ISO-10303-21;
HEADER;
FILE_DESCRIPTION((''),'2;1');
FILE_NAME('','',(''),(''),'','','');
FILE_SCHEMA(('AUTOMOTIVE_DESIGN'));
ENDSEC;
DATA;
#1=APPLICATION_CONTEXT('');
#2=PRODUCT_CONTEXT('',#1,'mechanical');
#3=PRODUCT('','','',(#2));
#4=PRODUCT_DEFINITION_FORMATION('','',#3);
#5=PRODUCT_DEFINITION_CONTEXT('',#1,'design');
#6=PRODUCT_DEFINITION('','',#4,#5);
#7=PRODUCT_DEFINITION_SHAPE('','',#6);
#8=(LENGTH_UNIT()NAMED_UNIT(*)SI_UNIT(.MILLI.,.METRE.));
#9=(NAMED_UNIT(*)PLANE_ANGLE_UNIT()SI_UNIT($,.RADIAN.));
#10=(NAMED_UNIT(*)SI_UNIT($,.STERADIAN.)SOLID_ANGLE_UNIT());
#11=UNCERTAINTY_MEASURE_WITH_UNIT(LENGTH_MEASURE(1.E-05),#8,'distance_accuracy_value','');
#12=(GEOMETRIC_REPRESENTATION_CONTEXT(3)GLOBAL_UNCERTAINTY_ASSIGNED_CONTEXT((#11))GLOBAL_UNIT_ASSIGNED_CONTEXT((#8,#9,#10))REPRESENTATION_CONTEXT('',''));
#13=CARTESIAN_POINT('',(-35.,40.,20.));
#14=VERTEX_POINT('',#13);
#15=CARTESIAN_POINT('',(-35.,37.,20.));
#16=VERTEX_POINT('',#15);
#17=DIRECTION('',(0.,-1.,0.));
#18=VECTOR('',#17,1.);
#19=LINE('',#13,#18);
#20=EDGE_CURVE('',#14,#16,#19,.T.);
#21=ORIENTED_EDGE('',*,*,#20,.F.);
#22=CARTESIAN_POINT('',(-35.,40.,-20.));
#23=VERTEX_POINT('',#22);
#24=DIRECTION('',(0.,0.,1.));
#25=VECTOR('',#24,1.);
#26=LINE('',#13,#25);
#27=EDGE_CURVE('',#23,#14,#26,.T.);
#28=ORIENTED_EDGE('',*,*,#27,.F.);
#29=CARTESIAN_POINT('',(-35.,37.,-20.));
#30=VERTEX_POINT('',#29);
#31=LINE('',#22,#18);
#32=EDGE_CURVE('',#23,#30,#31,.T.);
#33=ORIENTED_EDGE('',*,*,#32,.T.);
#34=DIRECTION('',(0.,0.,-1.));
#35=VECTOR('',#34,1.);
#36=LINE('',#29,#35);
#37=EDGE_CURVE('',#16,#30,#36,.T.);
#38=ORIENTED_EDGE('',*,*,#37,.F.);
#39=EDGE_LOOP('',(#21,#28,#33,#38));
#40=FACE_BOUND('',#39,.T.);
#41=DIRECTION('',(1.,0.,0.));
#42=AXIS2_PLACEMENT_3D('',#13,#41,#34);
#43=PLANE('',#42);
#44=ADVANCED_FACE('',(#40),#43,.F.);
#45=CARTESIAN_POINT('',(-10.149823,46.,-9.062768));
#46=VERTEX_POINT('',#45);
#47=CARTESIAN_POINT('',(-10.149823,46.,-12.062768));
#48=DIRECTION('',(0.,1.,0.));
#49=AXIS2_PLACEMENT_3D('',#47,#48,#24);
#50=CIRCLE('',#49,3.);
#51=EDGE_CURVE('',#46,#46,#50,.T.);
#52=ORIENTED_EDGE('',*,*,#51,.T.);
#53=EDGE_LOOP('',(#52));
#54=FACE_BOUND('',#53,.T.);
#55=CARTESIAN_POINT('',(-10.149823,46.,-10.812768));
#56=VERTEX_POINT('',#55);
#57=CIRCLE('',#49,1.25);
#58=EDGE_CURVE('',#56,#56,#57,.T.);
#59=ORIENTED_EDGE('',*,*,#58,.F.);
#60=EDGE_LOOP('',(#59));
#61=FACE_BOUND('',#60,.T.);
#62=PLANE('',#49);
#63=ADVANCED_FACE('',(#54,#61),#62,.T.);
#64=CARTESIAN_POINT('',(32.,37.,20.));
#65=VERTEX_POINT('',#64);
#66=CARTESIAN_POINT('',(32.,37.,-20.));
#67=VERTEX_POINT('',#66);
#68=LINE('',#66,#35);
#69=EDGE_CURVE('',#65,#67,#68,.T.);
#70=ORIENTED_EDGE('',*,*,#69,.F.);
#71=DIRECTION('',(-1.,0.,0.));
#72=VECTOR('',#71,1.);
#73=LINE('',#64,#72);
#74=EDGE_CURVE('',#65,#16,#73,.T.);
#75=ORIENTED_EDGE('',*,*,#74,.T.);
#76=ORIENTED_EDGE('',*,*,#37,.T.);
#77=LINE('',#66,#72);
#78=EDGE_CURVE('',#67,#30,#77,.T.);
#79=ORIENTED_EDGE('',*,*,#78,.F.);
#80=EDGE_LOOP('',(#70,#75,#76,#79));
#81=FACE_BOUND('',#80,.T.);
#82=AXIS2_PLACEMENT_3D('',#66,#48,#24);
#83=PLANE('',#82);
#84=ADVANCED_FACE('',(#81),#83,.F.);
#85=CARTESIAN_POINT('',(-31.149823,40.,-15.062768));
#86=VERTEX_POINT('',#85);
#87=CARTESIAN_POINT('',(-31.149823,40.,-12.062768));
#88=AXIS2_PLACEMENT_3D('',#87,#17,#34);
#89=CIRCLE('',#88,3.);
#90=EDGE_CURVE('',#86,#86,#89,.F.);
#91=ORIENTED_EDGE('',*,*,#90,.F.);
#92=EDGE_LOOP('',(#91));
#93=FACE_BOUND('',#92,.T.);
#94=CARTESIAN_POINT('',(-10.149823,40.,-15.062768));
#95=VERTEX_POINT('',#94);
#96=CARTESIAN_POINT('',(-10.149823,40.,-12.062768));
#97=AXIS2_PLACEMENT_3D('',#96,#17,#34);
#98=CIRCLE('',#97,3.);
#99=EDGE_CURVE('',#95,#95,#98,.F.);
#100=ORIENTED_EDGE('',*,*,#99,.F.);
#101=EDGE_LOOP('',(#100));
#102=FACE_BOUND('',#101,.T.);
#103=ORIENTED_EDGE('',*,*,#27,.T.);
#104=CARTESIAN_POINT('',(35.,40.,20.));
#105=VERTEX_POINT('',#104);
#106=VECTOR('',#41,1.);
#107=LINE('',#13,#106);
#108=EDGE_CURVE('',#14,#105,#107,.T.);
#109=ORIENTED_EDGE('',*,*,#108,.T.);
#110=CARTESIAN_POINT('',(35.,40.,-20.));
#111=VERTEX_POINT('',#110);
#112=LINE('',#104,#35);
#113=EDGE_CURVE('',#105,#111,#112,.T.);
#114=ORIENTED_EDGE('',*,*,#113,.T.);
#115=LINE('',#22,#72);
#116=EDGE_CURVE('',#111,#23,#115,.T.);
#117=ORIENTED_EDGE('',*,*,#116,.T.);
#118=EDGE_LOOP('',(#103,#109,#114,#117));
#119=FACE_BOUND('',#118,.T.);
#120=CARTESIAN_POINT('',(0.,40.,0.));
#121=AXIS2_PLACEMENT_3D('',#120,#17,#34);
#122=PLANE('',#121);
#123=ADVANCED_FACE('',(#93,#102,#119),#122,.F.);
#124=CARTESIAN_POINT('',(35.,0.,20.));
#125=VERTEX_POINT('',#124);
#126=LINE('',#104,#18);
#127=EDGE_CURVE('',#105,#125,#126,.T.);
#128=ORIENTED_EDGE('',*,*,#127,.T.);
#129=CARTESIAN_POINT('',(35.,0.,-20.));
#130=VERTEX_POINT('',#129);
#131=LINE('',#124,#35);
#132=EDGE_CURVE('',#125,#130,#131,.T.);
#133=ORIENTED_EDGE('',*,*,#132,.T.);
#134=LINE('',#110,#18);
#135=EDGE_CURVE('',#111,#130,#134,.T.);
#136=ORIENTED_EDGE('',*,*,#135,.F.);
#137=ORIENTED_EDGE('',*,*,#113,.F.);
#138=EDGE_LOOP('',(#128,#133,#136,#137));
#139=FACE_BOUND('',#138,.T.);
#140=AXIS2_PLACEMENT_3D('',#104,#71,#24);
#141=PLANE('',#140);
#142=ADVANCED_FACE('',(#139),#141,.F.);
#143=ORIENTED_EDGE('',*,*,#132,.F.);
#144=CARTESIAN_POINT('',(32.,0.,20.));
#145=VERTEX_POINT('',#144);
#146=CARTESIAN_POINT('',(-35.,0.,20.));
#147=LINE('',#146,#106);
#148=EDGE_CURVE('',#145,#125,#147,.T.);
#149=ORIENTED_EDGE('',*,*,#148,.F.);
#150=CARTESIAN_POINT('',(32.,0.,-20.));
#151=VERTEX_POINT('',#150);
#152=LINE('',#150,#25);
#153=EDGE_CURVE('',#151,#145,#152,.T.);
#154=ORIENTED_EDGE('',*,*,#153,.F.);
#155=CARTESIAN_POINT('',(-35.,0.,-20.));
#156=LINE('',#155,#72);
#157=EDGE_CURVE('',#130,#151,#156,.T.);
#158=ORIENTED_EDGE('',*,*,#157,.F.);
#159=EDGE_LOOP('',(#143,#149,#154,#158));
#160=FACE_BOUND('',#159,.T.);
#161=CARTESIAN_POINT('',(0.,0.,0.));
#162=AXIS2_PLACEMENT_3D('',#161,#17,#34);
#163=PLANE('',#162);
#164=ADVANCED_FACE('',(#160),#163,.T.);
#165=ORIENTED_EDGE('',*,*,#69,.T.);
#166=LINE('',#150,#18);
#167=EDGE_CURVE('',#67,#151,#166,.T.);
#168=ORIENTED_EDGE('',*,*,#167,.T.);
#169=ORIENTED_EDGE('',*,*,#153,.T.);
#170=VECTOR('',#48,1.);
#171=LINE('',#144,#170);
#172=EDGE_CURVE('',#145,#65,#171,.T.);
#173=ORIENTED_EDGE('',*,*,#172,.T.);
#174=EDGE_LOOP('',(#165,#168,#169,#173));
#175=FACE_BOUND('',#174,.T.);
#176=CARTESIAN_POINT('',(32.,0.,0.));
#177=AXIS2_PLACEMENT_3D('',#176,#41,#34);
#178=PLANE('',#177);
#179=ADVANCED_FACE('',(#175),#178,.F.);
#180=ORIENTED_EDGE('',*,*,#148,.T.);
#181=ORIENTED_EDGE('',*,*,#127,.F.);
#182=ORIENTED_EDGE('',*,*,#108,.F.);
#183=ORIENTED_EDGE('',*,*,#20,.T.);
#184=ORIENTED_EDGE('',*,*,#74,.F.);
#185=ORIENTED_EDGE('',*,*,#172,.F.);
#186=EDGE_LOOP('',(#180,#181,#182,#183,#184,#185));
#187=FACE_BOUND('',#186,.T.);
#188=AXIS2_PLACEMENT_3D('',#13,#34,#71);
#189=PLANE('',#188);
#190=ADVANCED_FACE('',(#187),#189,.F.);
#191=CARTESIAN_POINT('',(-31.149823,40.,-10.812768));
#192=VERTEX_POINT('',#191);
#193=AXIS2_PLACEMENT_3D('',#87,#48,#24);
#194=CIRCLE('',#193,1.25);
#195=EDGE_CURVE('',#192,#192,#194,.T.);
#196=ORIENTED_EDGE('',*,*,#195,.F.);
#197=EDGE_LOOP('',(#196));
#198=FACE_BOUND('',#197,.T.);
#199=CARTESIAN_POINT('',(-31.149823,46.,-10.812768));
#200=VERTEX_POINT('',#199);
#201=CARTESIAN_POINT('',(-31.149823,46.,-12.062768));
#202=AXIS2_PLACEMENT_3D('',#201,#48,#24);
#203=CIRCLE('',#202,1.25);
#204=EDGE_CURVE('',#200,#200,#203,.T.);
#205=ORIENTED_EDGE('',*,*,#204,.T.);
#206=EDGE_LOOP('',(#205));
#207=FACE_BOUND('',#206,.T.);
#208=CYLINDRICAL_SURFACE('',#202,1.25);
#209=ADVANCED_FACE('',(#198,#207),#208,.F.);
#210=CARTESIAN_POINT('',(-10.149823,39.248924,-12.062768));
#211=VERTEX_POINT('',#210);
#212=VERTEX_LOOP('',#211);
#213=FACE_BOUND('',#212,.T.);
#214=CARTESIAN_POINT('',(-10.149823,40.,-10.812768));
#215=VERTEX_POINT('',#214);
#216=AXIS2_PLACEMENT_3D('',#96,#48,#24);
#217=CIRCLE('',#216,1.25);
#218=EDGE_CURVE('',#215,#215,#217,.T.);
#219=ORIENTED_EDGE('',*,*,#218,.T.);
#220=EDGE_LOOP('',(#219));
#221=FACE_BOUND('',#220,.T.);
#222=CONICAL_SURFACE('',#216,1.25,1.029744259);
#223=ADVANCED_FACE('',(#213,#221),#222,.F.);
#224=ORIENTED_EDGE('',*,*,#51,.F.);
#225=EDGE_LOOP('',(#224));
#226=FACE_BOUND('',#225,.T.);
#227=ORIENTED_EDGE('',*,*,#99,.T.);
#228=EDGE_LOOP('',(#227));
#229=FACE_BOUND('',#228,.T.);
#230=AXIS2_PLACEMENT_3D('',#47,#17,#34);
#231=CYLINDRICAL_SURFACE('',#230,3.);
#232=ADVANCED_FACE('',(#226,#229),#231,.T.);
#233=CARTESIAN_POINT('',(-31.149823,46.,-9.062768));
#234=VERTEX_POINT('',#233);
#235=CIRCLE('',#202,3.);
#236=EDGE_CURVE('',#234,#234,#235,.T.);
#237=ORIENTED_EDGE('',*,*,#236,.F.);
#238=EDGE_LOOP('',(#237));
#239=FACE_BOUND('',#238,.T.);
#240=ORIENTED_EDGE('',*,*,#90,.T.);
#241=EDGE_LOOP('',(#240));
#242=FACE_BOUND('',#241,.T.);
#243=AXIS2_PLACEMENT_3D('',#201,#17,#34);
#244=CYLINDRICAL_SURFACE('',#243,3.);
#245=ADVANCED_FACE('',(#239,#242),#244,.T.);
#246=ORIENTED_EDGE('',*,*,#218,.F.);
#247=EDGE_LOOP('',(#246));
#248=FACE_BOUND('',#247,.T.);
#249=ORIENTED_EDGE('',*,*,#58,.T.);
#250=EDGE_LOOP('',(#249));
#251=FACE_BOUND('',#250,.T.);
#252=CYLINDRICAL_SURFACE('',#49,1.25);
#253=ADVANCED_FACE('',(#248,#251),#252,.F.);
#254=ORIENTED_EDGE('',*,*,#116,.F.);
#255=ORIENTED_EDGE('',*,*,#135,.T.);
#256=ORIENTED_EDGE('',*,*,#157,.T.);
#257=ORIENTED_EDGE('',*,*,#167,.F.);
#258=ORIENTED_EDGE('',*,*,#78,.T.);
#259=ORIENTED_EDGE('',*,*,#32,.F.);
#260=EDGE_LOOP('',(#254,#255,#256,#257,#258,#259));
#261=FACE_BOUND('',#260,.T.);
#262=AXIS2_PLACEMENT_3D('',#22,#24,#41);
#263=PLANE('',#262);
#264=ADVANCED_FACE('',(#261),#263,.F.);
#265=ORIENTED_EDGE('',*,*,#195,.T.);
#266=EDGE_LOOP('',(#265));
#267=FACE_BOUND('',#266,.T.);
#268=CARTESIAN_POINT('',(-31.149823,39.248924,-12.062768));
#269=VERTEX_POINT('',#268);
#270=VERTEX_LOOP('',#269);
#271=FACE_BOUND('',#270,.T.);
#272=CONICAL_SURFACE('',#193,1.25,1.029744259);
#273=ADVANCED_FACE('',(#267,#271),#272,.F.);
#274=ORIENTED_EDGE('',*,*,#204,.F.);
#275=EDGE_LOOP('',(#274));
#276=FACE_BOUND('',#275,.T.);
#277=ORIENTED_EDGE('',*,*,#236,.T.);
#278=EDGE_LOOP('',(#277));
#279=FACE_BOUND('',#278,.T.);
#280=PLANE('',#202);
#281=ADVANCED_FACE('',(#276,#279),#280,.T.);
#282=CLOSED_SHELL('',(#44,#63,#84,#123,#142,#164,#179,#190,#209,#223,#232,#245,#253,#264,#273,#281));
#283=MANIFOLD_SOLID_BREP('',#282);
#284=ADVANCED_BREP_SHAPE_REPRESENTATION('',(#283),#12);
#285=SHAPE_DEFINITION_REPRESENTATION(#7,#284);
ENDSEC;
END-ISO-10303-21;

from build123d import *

# Parameters (mm, degrees)
SKETCH1_W                       = 70
SKETCH1_H                       = 40
BOSS_EXTRUDE1_DEPTH             = 40
SKETCH2_W                       = 40
SKETCH2_H                       = 37
CUT_EXTRUDE1_DEPTH              = 67
SKETCH4_R                       = 3
BOSS_EXTRUDE2_DEPTH             = 6
TAP_DRILL_FOR_M3X0_5_TAP2_D     = 2.5
TAP_DRILL_FOR_M3X0_5_TAP2_DEPTH = 6
TAP_DRILL_FOR_M3X0_5_TAP2_TIP   = 0.751075774


with BuildPart() as part:
    # Sketch1 → Boss-Extrude1 (new body)
    with BuildSketch(Plane(origin=(0, 0, 0), x_dir=(1, 0, 0), z_dir=(0, 1, 0))):
        Rectangle(SKETCH1_W, SKETCH1_H)
    extrude(amount=BOSS_EXTRUDE1_DEPTH)

    # Sketch2 → Cut-Extrude1 (cut)
    with BuildSketch(Plane.ZY.offset(35)):
        with Locations((0, 18.5)):
            Rectangle(SKETCH2_W, SKETCH2_H)
    extrude(amount=-CUT_EXTRUDE1_DEPTH, mode=Mode.SUBTRACT)

    # Sketch4 → Boss-Extrude2 (add)
    with BuildSketch(Plane(origin=(0, 40, 0), x_dir=(1, 0, 0), z_dir=(0, 1, 0))):
        with Locations((-31.149822544, 12.062768)):
            Circle(SKETCH4_R)
        with Locations((-10.149822544, 12.062768)):
            Circle(SKETCH4_R)
    extrude(amount=BOSS_EXTRUDE2_DEPTH)

    # Tap Drill for M3x0.5 Tap2
    with Locations(Plane(origin=(0, 46, 0), x_dir=(1, 0, 0), z_dir=(0, 1, 0))):
        with Locations((-31.149822544, 12.062768), (-10.149822544, 12.062768)):
            Hole(TAP_DRILL_FOR_M3X0_5_TAP2_D / 2, depth=TAP_DRILL_FOR_M3X0_5_TAP2_DEPTH)
            with Locations((0, 0, -(TAP_DRILL_FOR_M3X0_5_TAP2_DEPTH + TAP_DRILL_FOR_M3X0_5_TAP2_TIP / 2))):  # 118° drill point
                Cone(0, TAP_DRILL_FOR_M3X0_5_TAP2_D / 2, TAP_DRILL_FOR_M3X0_5_TAP2_TIP, mode=Mode.SUBTRACT)


solid = part.part
